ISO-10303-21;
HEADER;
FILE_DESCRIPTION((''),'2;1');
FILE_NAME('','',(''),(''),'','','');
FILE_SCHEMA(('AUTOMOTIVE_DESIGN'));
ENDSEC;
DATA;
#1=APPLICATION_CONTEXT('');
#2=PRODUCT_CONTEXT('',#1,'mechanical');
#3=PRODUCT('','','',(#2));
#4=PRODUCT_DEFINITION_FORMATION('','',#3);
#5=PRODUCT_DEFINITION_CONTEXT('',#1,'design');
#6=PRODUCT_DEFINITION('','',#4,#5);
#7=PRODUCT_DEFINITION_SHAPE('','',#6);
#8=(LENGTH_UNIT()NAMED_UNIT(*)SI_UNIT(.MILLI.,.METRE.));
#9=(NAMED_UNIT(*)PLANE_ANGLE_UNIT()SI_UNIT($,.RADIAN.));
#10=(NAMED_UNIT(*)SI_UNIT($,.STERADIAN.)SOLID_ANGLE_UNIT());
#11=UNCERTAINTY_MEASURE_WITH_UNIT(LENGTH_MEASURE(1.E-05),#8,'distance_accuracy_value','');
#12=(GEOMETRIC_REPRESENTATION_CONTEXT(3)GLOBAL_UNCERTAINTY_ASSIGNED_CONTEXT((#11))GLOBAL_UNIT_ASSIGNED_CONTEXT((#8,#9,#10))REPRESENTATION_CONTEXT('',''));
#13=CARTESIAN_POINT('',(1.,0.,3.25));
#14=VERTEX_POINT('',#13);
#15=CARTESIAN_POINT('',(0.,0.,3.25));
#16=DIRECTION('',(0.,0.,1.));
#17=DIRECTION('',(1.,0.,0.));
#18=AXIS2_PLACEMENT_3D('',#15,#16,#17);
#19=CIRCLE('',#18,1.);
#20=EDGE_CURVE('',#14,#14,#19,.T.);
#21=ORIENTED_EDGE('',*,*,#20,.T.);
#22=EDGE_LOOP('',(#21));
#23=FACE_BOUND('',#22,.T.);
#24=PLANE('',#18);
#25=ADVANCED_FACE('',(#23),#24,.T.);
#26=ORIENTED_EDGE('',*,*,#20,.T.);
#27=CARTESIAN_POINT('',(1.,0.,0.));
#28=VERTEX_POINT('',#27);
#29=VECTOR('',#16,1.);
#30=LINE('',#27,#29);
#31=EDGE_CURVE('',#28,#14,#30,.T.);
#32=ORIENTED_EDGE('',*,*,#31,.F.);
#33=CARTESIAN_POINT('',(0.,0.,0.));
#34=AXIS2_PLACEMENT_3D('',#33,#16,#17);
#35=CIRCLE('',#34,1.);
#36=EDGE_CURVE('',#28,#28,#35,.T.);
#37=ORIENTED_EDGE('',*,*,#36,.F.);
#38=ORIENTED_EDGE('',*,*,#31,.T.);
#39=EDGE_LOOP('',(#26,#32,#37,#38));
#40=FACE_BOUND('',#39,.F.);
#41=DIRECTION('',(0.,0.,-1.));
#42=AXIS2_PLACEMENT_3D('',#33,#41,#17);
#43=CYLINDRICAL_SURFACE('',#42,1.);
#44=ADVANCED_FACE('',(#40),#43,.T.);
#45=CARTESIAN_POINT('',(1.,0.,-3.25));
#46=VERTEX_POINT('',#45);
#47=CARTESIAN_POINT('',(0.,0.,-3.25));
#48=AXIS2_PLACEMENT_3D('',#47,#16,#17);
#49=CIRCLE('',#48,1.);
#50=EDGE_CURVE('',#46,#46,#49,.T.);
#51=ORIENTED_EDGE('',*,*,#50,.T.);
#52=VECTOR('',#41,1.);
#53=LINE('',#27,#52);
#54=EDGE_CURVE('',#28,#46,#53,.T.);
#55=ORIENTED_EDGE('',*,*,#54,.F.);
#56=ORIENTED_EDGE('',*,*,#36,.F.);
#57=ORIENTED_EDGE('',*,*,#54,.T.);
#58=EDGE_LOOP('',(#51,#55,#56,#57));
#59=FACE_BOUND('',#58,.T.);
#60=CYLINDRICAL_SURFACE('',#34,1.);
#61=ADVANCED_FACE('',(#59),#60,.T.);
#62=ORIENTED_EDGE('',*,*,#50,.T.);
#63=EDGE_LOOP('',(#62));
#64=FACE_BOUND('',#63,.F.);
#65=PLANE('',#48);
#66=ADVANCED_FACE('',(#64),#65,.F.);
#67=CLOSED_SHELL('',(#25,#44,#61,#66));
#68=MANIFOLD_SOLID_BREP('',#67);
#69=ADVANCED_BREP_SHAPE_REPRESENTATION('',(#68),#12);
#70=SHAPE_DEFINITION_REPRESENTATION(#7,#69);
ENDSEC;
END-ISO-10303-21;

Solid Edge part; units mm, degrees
sketch "Sketch1" plane through (0, 0, 0) normal (0, 0, 1) x (1, 0, 0)
  circle A0 centre (0, 0) radius 1
extrude "Protrusion1" add sketch "Sketch1" along normal mid plane 6.5
